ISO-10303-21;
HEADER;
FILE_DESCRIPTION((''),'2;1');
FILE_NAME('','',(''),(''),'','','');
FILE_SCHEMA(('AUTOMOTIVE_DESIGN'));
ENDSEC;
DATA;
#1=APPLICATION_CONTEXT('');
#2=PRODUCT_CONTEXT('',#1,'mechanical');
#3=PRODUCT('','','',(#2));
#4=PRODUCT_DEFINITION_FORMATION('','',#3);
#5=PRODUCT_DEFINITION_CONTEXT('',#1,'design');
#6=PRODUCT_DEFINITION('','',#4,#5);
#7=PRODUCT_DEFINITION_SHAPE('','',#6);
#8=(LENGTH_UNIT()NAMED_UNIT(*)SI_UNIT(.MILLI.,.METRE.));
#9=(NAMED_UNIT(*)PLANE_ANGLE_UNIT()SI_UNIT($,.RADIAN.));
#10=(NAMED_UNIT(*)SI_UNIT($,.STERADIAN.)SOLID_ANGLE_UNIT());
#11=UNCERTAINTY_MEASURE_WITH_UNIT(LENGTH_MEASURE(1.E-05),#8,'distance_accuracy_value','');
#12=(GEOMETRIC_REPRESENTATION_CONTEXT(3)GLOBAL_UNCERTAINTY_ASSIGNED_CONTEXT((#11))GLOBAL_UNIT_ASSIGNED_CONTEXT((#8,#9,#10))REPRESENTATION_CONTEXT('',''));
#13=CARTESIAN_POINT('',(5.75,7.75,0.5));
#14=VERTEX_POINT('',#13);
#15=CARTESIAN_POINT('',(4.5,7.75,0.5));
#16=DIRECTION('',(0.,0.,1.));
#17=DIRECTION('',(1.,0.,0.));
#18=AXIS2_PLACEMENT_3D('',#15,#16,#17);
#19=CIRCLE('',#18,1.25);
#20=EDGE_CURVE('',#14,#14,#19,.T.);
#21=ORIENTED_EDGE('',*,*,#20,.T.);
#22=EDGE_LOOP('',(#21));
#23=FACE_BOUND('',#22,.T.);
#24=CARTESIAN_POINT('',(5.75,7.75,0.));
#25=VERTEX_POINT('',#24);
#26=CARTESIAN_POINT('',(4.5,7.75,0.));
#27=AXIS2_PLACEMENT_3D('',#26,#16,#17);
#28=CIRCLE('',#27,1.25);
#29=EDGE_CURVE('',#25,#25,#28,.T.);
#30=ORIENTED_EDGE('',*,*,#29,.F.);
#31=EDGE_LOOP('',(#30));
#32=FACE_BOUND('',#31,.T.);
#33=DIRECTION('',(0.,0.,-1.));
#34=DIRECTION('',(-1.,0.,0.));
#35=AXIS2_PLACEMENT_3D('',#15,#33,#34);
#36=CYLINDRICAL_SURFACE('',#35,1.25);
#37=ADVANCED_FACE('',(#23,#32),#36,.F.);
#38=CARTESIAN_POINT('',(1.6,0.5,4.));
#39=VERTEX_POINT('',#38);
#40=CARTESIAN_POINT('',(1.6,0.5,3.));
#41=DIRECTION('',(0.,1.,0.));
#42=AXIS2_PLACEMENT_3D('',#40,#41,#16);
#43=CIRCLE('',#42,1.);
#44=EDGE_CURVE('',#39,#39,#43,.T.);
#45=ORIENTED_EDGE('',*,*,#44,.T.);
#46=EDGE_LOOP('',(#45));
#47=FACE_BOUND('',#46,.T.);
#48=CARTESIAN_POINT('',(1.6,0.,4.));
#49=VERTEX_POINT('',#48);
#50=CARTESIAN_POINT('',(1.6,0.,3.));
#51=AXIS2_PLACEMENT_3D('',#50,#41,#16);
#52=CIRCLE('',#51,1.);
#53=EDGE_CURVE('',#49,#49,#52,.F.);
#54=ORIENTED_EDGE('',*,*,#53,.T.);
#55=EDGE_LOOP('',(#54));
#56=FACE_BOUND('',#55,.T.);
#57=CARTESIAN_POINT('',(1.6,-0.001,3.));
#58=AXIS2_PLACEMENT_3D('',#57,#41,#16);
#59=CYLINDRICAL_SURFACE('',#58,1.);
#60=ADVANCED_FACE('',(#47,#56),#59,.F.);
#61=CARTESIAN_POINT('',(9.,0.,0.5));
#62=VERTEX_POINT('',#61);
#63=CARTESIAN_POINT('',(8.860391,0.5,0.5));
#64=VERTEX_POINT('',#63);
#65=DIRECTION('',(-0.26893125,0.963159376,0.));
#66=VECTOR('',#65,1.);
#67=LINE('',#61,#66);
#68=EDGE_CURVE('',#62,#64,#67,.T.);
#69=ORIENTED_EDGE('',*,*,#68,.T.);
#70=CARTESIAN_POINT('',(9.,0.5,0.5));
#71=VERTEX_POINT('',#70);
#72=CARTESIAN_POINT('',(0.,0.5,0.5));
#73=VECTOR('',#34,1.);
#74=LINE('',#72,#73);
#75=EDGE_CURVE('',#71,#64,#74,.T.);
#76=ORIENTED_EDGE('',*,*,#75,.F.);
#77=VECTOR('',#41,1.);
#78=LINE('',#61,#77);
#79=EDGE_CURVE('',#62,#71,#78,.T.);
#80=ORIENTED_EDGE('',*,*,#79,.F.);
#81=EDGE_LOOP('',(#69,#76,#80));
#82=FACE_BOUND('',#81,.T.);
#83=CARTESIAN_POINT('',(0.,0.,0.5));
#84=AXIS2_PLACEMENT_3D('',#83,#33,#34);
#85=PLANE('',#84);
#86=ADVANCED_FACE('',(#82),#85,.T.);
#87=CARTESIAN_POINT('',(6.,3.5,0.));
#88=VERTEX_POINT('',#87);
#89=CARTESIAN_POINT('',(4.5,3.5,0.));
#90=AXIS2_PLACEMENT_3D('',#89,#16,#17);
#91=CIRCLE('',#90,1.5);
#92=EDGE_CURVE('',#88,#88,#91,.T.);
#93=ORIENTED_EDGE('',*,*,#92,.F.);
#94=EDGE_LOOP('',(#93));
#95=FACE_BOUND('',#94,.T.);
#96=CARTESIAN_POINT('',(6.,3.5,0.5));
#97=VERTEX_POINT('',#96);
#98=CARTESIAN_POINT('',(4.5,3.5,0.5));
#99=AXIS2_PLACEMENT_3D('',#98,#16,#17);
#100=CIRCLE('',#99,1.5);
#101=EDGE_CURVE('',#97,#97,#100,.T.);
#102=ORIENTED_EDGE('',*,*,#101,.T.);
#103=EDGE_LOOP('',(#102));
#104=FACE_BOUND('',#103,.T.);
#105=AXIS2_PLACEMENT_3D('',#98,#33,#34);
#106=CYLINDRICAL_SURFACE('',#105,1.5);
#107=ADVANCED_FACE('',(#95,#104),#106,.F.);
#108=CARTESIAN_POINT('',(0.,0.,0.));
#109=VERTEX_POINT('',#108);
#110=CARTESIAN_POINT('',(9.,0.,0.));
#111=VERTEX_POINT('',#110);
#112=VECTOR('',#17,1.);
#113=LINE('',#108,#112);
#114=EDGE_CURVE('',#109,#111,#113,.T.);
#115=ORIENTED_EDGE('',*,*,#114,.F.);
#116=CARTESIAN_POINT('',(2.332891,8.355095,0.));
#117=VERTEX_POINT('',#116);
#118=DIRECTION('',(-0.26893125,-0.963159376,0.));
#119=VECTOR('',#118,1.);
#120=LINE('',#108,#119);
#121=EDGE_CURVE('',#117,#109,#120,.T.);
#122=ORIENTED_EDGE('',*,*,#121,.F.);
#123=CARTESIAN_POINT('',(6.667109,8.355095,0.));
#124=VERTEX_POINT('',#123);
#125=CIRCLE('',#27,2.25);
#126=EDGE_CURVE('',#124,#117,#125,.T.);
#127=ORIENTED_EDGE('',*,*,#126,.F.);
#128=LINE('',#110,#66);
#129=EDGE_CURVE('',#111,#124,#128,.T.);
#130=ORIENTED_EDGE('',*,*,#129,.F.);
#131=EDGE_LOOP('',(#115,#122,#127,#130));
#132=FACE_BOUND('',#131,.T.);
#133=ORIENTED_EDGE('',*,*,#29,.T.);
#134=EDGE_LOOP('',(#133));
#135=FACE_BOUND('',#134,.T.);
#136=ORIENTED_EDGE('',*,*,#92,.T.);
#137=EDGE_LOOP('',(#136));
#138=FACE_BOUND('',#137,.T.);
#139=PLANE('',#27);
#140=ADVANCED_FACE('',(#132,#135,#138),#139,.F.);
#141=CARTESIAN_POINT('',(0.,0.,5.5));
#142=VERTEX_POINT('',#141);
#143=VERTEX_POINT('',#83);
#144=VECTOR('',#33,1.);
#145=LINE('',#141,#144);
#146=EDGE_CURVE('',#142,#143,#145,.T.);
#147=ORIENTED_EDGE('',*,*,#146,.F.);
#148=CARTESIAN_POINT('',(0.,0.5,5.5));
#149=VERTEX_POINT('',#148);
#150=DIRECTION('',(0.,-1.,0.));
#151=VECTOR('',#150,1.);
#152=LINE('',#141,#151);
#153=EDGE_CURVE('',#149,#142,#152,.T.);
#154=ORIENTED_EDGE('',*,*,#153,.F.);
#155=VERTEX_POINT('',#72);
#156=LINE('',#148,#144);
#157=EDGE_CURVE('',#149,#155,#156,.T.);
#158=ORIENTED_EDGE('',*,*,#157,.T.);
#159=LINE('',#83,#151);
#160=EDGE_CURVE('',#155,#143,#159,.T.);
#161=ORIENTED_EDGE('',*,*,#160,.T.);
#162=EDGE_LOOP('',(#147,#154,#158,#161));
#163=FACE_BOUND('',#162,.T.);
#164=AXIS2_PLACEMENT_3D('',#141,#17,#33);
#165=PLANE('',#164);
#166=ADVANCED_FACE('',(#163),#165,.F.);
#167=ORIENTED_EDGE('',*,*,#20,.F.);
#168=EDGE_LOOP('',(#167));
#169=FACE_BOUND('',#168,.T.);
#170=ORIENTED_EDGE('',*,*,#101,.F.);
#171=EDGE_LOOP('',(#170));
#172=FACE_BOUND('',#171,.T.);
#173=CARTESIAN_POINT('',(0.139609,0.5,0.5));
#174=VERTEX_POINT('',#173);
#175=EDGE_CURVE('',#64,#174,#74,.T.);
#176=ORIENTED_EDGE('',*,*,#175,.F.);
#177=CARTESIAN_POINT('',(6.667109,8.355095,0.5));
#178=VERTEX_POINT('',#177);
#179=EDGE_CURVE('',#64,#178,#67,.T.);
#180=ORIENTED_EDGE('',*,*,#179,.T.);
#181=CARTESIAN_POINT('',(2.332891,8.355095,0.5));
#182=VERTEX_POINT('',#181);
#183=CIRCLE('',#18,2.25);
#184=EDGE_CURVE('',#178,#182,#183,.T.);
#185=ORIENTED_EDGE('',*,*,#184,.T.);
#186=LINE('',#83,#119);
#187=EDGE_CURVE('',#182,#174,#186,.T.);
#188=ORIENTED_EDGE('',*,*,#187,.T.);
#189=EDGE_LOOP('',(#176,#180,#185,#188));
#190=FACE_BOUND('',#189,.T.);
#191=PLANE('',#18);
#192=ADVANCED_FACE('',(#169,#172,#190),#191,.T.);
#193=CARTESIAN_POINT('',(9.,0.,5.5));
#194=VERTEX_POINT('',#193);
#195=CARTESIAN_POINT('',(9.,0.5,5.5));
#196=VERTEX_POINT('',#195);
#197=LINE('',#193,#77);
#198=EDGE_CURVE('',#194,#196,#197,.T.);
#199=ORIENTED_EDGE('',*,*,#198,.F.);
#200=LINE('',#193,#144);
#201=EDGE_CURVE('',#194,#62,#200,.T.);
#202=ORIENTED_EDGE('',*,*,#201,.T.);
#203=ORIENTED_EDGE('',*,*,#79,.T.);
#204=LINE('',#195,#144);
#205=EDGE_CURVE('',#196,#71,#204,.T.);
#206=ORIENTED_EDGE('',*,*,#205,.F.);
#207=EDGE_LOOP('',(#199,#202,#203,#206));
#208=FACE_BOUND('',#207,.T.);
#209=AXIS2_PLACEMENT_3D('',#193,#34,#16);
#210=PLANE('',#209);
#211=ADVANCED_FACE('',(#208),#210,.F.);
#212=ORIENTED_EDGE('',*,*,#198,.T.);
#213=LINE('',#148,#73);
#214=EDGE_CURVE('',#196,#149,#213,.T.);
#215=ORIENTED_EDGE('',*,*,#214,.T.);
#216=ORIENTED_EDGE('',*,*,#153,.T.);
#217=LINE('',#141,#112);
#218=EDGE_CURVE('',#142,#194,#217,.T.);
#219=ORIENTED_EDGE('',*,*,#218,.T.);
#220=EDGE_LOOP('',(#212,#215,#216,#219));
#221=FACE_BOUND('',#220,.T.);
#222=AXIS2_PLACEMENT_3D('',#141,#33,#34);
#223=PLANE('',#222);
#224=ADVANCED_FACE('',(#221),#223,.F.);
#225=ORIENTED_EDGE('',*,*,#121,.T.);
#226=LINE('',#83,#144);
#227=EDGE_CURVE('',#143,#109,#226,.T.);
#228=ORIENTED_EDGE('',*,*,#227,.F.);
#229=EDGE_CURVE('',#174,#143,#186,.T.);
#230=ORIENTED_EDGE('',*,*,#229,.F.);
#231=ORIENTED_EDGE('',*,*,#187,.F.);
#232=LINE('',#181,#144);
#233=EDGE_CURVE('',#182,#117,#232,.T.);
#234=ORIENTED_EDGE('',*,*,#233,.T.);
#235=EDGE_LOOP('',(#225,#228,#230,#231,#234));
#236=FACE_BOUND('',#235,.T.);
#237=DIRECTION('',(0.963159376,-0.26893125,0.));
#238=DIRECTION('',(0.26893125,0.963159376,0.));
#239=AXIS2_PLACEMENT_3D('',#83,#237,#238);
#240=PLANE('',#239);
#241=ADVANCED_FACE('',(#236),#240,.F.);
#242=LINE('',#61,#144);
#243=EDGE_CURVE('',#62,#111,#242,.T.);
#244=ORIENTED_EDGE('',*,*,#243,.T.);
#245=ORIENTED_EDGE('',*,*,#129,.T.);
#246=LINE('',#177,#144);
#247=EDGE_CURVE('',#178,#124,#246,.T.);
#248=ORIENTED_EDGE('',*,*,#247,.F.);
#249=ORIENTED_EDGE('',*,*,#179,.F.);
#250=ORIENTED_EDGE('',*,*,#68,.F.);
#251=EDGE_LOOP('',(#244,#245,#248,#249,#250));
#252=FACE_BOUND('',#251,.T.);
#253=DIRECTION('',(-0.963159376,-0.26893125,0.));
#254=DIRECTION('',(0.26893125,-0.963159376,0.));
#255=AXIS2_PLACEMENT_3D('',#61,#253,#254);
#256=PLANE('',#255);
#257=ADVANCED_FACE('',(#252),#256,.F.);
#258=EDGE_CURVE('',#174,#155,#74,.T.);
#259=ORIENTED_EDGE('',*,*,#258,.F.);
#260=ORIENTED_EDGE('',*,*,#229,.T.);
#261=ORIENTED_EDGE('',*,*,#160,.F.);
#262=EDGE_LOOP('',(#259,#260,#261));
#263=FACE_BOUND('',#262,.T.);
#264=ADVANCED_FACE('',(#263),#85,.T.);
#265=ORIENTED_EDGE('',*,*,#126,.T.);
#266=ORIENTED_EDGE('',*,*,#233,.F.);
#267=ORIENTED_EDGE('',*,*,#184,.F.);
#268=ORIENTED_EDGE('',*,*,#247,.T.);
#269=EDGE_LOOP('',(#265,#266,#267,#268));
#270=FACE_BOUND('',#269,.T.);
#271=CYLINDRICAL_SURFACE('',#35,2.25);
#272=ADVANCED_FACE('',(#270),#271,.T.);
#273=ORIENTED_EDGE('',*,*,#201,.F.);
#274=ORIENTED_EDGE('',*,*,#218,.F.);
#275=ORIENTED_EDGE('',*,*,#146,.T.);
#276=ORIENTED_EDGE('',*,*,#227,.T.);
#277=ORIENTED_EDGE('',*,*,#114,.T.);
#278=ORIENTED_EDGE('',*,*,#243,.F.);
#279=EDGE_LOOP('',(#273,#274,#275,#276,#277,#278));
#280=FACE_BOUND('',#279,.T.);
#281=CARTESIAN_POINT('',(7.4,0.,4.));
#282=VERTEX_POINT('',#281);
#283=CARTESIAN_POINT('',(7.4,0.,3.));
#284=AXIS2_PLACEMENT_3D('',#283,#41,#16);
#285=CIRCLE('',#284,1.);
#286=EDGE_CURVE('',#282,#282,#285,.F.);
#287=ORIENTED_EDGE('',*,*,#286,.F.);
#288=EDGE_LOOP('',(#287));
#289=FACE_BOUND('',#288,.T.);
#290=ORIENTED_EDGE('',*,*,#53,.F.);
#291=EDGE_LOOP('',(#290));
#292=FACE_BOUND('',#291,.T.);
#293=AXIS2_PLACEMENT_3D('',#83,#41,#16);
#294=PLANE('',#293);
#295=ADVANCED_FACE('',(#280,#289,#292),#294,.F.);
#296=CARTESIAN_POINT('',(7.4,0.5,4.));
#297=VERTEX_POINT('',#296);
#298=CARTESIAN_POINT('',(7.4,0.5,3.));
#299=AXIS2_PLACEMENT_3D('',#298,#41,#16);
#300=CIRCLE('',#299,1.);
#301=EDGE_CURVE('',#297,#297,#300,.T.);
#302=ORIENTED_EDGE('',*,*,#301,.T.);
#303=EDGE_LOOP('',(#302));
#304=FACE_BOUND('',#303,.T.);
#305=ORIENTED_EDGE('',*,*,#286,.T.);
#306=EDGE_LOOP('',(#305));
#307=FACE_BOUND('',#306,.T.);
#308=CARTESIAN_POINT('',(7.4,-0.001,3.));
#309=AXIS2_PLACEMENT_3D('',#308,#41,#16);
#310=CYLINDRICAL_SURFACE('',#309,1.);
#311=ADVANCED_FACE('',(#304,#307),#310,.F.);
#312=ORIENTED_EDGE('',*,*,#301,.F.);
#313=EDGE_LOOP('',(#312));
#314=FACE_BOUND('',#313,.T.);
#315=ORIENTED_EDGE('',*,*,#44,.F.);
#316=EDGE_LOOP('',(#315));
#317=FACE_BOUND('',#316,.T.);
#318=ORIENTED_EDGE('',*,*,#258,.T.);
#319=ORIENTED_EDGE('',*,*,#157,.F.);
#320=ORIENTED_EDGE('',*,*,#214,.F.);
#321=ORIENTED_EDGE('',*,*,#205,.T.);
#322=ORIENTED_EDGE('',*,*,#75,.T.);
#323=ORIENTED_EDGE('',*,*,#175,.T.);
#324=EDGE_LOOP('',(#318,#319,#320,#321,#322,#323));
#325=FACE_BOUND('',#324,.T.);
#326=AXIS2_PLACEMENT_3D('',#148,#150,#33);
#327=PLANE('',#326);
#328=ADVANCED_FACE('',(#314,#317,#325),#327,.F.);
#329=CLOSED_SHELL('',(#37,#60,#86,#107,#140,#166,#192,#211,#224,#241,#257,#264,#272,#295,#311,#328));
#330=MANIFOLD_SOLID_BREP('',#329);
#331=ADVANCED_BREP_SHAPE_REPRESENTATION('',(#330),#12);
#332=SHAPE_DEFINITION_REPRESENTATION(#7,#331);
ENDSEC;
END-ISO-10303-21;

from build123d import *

# Parameters (mm, degrees)
SKETCH_1_R          = 1.25
SKETCH_1_R_2        = 1.5
EXTRUDE_1_DEPTH     = 0.5
SKETCH_2_W          = 9
SKETCH_2_H          = 0.5
EXTRUDE_2_DEPTH     = 5
CUT_EXTRUDE_1_REACH = 16.195
SKETCH_3_R          = 1


with BuildPart() as part:
    # 草图1 → 凸台-拉伸1 (new body)
    with BuildSketch(Plane.XY):
        with BuildLine():
            Line((0, 0), (9, 0))
            Line((9, 0), (6.667108595, 8.355095313))
            ThreePointArc((6.667108595, 8.355095313), (4.5, 10), (2.332891405, 8.355095313))
            Line((2.332891405, 8.355095313), (0, 0))
        make_face()
        with Locations((4.5, 7.75)):
            Circle(SKETCH_1_R, mode=Mode.SUBTRACT)
        with Locations((4.5, 3.5)):
            Circle(SKETCH_1_R_2, mode=Mode.SUBTRACT)
    extrude(amount=EXTRUDE_1_DEPTH)

    # 草图2 → 凸台-拉伸2 (add)
    with BuildSketch(Plane.XY.offset(0.5)):
        with Locations((4.5, 0.25)):
            Rectangle(SKETCH_2_W, SKETCH_2_H)
    extrude(amount=EXTRUDE_2_DEPTH)

    # 草图3 → 切除-拉伸1 (cut, up to next)
    with BuildSketch(Plane(origin=(0, 0.5, 0), x_dir=(1, 0, 0), z_dir=(0, 1, 0)), mode=Mode.PRIVATE) as cut_extrude_1_sk1:
        with Locations(Location((1.6, -3, 0), (0, 0, 270))):
            Circle(SKETCH_3_R)
    cut_extrude_1_tool1 = extrude(cut_extrude_1_sk1.sketch, amount=-CUT_EXTRUDE_1_REACH, mode=Mode.PRIVATE) & part.part
    # 草图3 → 切除-拉伸1 (cut, up to next)
    with BuildSketch(Plane(origin=(0, 0.5, 0), x_dir=(1, 0, 0), z_dir=(0, 1, 0)), mode=Mode.PRIVATE) as cut_extrude_1_sk2:
        with Locations(Location((7.4, -3, 0), (0, 0, 270))):
            Circle(SKETCH_3_R)
    cut_extrude_1_tool2 = extrude(cut_extrude_1_sk2.sketch, amount=-CUT_EXTRUDE_1_REACH, mode=Mode.PRIVATE) & part.part
    add(cut_extrude_1_tool1.solids().sort_by_distance((1.6, 0.5, 3))[0], mode=Mode.SUBTRACT)
    add(cut_extrude_1_tool2.solids().sort_by_distance((7.4, 0.5, 3))[0], mode=Mode.SUBTRACT)


solid = part.part
